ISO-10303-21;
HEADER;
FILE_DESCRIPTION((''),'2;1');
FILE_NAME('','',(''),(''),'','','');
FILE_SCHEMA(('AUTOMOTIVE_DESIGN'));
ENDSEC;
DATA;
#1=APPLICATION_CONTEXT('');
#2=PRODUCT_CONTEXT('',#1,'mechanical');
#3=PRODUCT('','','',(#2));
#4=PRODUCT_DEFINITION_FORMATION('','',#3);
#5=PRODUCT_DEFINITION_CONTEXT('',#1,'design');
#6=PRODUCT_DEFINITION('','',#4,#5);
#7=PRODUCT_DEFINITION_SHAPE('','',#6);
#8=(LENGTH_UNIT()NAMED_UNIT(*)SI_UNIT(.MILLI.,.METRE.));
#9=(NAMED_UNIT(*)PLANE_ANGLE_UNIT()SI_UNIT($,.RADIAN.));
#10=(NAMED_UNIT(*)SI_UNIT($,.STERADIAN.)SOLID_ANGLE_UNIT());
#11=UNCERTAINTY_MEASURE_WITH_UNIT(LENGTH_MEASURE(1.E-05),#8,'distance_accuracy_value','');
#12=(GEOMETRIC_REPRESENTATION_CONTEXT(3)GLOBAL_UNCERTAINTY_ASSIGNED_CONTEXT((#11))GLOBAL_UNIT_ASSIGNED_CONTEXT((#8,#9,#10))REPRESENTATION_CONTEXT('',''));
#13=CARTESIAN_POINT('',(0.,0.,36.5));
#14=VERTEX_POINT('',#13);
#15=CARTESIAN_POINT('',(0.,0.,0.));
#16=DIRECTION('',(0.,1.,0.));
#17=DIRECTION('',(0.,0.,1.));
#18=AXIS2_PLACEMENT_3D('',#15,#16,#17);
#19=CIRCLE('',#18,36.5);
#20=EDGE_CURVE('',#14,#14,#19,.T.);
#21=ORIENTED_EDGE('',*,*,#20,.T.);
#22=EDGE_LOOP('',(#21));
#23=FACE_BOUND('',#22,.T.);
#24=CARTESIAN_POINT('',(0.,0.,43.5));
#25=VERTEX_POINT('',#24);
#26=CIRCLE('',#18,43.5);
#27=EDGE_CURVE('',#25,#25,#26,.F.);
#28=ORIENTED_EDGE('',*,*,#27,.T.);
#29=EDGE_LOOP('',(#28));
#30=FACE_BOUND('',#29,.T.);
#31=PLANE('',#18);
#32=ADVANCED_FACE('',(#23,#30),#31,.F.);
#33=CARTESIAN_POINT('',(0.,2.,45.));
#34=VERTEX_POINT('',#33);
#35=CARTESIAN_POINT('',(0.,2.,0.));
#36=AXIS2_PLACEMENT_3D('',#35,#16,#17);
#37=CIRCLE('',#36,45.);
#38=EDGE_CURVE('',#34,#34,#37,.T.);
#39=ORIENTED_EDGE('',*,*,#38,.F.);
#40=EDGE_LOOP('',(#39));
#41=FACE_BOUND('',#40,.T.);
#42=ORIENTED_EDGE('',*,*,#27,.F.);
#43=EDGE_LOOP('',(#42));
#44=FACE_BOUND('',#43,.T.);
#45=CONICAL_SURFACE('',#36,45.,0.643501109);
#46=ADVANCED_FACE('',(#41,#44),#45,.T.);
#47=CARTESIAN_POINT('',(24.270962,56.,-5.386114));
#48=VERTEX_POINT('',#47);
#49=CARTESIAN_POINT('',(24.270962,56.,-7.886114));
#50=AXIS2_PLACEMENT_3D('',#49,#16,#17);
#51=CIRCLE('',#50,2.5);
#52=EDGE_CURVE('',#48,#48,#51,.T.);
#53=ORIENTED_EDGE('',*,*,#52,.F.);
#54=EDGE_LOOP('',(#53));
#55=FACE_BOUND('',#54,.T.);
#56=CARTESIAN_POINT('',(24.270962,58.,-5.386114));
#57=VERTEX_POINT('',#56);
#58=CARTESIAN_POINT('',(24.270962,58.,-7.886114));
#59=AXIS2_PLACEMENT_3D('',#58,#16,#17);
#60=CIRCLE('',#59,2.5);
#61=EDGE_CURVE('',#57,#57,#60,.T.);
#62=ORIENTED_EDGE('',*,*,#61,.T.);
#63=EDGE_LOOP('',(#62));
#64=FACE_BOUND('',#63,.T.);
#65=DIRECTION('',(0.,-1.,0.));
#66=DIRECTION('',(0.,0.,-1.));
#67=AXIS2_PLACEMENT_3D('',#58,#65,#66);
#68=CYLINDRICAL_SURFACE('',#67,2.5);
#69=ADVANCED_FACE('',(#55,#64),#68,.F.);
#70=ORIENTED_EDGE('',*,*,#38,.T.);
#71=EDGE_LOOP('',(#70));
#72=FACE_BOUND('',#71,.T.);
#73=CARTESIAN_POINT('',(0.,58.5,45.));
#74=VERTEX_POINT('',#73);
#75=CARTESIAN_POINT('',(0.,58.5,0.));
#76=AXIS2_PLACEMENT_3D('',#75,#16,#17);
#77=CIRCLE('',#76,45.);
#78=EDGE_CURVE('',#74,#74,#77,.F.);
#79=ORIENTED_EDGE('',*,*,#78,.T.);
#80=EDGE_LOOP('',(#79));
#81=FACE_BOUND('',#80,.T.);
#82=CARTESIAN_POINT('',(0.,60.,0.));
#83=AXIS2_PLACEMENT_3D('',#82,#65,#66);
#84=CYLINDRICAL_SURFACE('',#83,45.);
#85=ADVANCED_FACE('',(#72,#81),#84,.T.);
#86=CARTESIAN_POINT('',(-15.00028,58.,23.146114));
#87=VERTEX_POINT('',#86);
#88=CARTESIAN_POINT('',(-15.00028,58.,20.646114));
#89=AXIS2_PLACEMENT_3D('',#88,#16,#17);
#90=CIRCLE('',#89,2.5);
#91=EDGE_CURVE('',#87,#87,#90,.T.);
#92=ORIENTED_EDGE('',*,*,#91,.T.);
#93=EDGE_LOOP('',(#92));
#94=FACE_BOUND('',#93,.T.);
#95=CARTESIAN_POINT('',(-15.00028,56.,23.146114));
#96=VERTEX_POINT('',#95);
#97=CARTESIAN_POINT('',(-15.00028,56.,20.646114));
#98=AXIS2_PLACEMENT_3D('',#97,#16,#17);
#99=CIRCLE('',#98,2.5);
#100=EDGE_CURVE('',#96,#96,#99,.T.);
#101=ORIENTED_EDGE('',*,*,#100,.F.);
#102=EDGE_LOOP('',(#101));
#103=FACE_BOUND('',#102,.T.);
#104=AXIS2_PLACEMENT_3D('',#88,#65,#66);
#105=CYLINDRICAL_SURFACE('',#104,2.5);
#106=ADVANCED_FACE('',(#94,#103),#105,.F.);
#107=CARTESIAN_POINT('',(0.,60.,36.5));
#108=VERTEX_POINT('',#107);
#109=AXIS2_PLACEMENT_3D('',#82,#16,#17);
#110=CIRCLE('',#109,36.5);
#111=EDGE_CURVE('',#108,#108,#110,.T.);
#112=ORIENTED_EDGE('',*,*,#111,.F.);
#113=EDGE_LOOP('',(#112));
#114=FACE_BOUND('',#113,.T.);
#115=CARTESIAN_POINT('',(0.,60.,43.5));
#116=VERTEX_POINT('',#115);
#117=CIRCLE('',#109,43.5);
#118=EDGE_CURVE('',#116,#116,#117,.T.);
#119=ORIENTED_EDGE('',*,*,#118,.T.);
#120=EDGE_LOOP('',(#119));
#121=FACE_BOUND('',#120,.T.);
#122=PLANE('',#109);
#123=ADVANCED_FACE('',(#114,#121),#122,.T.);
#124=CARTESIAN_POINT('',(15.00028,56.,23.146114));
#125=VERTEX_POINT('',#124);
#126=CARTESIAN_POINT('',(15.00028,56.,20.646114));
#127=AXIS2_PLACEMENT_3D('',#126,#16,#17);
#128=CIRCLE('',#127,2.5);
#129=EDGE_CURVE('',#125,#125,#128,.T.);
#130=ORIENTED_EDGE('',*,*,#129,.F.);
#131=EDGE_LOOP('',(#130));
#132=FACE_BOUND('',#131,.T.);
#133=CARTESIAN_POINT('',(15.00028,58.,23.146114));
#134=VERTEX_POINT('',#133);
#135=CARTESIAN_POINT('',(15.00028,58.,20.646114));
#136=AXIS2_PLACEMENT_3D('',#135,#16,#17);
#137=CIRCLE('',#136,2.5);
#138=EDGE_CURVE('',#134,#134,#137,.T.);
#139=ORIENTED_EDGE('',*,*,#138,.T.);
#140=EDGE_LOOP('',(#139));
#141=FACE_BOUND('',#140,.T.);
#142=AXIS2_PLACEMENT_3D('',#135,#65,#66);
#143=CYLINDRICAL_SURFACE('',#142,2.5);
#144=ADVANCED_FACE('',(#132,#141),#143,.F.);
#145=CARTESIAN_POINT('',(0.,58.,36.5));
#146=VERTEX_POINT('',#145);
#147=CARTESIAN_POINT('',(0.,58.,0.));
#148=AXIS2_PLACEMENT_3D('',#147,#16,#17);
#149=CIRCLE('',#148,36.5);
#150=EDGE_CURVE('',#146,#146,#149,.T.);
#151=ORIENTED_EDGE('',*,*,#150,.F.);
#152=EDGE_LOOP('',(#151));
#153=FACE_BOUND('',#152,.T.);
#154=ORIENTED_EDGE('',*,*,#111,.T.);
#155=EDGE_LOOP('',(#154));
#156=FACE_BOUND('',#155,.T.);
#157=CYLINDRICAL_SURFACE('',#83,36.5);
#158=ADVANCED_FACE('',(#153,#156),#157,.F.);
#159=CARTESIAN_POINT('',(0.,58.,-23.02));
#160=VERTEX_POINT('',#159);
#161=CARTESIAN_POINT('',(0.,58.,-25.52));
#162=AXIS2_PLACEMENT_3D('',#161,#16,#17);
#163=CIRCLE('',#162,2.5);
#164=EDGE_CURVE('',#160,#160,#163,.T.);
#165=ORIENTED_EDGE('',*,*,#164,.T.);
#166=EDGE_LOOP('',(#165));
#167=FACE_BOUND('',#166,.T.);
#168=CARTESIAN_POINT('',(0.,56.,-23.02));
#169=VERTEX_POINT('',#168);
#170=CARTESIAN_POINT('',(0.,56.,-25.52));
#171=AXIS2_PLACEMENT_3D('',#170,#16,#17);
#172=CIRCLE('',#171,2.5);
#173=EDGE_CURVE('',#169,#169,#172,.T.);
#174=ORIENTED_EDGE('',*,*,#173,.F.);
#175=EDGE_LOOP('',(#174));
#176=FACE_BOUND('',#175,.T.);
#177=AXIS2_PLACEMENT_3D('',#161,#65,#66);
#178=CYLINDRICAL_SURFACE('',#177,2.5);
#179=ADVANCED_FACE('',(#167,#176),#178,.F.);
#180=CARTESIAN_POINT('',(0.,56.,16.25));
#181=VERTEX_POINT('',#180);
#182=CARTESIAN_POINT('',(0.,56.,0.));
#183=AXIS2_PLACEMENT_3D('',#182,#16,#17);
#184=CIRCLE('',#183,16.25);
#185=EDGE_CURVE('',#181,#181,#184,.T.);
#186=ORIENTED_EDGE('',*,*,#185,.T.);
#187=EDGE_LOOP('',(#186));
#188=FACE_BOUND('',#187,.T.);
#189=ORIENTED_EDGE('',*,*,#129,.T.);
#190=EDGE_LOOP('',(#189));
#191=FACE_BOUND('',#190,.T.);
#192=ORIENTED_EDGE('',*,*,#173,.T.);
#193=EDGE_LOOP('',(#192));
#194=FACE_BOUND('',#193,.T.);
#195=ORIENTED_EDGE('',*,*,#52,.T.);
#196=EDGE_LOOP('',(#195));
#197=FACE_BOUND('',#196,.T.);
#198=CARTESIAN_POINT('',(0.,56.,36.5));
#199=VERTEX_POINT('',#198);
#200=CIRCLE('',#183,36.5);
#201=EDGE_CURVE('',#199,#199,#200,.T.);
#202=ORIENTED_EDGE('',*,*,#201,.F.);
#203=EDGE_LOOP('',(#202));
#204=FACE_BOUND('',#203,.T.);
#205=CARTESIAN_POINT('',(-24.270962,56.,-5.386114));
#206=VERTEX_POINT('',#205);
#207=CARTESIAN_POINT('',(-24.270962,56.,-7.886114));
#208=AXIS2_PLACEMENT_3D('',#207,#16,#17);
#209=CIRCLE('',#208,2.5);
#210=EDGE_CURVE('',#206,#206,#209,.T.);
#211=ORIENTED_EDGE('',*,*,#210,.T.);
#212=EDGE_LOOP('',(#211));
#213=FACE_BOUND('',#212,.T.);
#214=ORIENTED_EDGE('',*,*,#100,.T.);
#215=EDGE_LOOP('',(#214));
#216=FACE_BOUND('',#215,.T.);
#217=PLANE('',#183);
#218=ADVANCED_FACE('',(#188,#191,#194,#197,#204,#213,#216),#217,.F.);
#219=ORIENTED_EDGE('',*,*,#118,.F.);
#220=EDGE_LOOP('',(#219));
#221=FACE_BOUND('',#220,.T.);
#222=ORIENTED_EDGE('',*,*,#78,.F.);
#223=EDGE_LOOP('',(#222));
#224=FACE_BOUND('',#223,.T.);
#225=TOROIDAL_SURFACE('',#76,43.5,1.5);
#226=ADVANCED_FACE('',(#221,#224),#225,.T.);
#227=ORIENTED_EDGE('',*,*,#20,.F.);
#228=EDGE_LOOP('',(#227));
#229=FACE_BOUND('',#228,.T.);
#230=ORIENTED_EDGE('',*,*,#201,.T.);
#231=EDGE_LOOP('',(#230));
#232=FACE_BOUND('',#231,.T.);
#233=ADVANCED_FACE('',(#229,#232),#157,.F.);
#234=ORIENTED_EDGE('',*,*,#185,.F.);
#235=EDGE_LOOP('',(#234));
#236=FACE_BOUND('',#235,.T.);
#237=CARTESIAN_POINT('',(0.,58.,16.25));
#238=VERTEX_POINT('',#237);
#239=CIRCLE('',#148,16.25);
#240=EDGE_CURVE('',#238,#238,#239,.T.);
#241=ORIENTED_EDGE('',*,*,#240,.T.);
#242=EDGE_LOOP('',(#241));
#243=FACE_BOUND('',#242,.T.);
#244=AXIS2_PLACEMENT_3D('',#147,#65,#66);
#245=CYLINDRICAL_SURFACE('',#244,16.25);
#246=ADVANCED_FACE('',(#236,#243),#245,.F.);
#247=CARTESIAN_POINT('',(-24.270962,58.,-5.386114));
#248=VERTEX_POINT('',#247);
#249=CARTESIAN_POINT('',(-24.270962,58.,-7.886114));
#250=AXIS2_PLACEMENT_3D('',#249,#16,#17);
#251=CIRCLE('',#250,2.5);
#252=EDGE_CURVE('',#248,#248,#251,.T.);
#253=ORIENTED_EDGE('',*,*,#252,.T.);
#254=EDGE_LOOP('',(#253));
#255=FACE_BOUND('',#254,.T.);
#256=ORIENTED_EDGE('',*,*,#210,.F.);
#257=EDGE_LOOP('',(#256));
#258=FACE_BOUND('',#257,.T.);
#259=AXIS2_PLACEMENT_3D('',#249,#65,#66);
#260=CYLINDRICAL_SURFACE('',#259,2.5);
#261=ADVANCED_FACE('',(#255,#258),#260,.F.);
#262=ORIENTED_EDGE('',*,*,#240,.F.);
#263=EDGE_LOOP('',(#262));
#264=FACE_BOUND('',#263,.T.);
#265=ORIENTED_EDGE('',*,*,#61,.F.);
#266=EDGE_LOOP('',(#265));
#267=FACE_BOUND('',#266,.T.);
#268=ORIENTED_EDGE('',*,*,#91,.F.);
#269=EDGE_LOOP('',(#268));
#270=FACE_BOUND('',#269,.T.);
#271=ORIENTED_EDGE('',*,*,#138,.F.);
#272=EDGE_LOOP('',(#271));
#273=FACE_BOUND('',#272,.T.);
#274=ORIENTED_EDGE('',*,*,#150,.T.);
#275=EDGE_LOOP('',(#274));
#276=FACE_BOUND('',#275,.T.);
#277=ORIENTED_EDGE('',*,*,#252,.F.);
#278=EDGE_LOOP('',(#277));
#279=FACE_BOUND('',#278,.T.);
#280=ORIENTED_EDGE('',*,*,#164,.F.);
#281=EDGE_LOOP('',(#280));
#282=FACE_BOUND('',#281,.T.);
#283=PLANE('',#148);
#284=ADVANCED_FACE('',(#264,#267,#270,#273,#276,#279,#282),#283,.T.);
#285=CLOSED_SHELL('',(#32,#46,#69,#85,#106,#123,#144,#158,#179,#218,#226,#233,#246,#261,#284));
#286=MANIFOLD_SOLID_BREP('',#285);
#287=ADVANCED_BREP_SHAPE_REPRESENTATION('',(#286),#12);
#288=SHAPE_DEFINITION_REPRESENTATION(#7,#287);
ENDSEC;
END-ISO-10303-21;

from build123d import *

# Parameters (mm, degrees)
SKETCH3_R           = 45
SKETCH3_R_2         = 36.5
BOSS_EXTRUDE1_DEPTH = 60
FILLET1_R           = 1.5
BOSS_EXTRUDE3_START = 56
SKETCH3_6_R         = 36.5
SKETCH3_6_R_2       = 2.5
SKETCH3_6_R_3       = 16.25
BOSS_EXTRUDE3_DEPTH = 2
CHAMFER2_SIZE       = 1.5
CHAMFER2_SIZE2      = 2


with BuildPart() as part:
    # Sketch3 → Boss-Extrude1 (new body)
    with BuildSketch(Plane(origin=(0, 0, 0), x_dir=(1, 0, 0), z_dir=(0, 1, 0))):
        Circle(SKETCH3_R)
        Circle(SKETCH3_R_2, mode=Mode.SUBTRACT)
    extrude(amount=BOSS_EXTRUDE1_DEPTH)

    # Fillet1
    fillet1_edges = [part.edges().sort_by_distance(p)[0] for p in [
        (-45, 60, 0),
    ]]
    fillet(fillet1_edges, radius=FILLET1_R)

    # Sketch3<6> → Boss-Extrude3 (add)
    with BuildSketch(Plane(origin=(0, 0, 0), x_dir=(1, 0, 0), z_dir=(0, 1, 0)).offset(BOSS_EXTRUDE3_START)):
        Circle(SKETCH3_6_R)
        with Locations((-15.000279639, -20.646113696)):
            Circle(SKETCH3_6_R_2, mode=Mode.SUBTRACT)
        with Locations((15.000279639, -20.646113696)):
            Circle(SKETCH3_6_R_2, mode=Mode.SUBTRACT)
        with Locations((-24.270962296, 7.886113696)):
            Circle(SKETCH3_6_R_2, mode=Mode.SUBTRACT)
        Circle(SKETCH3_6_R_3, mode=Mode.SUBTRACT)
        with Locations((24.270962296, 7.886113696)):
            Circle(SKETCH3_6_R_2, mode=Mode.SUBTRACT)
        with Locations((0, 25.52)):
            Circle(SKETCH3_6_R_2, mode=Mode.SUBTRACT)
    extrude(amount=BOSS_EXTRUDE3_DEPTH)

    # Chamfer2
    chamfer2_edges = [part.edges().sort_by_distance(p)[0] for p in [
        (-45, 0, 0),
    ]]
    chamfer2_side = [part.faces().sort_by_distance(p)[0] for p in [
        (-43.727207794, 0, 0),
    ]]
    chamfer(chamfer2_edges, length=CHAMFER2_SIZE, length2=CHAMFER2_SIZE2, reference=chamfer2_side[0])


solid = part.part
